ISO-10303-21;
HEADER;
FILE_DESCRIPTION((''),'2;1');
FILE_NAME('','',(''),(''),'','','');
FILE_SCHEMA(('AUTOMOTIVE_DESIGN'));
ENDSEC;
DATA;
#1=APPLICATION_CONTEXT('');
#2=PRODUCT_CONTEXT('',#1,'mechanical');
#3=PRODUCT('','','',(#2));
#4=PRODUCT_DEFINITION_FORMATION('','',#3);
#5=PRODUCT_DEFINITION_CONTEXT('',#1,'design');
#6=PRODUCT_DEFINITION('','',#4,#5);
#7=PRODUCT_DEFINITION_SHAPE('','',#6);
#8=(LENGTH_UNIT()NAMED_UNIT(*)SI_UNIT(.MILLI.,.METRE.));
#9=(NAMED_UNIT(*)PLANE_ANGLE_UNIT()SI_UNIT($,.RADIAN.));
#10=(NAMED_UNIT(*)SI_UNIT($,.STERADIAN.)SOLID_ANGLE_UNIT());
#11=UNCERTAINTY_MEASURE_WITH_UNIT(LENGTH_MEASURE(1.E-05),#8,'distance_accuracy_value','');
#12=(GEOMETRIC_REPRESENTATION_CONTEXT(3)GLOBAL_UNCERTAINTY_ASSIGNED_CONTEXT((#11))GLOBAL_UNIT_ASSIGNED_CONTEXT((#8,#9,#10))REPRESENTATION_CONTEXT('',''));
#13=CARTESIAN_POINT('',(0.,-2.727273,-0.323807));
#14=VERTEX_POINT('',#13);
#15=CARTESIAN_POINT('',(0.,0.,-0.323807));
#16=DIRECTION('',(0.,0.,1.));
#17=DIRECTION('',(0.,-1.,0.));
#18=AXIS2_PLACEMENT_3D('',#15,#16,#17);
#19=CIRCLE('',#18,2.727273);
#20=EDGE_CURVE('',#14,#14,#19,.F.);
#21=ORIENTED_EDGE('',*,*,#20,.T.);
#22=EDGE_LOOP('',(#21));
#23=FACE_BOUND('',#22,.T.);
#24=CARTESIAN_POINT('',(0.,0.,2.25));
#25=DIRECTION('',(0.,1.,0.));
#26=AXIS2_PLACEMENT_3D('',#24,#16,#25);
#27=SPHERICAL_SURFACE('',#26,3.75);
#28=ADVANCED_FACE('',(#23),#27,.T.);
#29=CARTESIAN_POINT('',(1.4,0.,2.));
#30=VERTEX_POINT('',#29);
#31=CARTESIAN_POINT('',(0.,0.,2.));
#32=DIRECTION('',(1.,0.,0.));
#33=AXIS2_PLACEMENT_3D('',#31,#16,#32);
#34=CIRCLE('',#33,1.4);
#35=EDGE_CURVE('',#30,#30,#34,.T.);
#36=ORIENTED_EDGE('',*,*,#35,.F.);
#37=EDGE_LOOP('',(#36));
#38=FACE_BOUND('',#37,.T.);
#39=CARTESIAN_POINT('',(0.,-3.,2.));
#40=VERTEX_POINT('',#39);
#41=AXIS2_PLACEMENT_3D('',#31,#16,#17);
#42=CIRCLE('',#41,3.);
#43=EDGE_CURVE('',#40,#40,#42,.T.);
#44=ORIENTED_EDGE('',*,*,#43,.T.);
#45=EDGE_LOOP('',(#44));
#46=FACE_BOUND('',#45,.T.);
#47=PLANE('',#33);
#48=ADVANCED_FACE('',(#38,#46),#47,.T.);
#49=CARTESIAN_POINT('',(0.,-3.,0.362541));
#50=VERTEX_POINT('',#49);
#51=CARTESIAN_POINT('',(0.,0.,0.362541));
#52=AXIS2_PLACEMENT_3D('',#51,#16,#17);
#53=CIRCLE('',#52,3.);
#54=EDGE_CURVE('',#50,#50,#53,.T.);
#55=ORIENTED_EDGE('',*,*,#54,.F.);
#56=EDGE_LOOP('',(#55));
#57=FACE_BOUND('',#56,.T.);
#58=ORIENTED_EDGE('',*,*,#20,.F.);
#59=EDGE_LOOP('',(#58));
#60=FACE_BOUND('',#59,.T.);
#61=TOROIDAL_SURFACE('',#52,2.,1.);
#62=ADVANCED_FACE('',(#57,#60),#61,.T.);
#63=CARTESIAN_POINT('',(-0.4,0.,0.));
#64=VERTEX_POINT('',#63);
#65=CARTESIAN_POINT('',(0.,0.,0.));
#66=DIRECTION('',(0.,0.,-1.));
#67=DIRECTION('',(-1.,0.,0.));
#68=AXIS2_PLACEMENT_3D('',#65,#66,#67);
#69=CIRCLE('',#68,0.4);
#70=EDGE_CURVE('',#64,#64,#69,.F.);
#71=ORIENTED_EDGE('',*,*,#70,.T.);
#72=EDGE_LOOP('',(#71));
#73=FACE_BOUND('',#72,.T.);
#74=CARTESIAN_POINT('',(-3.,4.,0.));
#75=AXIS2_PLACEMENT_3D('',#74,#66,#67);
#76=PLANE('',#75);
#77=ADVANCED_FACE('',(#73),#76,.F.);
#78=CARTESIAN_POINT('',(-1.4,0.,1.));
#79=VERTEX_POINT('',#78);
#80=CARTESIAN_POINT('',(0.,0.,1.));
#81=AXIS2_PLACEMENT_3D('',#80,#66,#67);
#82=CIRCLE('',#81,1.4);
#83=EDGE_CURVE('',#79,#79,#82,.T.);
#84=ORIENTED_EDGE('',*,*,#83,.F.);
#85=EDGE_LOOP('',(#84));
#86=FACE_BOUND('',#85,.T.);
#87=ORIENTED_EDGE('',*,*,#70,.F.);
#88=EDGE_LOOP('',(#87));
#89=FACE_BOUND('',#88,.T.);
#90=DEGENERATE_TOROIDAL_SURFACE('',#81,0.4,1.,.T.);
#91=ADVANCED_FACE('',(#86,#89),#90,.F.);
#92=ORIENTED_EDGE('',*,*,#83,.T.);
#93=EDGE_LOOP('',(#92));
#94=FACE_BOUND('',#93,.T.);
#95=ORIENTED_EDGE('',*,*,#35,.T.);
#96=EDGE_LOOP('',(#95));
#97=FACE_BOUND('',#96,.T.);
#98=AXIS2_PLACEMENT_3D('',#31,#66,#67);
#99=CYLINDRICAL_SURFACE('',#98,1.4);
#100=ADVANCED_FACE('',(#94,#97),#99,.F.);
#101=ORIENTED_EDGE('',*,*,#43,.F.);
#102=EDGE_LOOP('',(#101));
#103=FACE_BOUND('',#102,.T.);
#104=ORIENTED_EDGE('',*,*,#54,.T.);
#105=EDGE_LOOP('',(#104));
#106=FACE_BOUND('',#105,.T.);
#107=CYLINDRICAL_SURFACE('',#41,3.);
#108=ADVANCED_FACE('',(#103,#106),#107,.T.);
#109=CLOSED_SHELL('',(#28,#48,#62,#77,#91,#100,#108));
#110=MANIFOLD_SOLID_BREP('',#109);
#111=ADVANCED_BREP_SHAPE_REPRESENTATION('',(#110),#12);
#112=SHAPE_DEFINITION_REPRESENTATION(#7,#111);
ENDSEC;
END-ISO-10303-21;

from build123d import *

# Parameters (mm, degrees)
CROQUIS1_W              = 6
CROQUIS1_H              = 8
CROQUIS1_R              = 1.4
SALIENTE_EXTRUIR1_DEPTH = 2
SALIENTE_EXTRUIR2_DEPTH = 4
CROQUIS3_W              = 6
CROQUIS3_H              = 1
SALIENTE_EXTRUIR3_DEPTH = 4
REDONDEO1_R             = 1
REDONDEO2_R             = 1


with BuildPart() as part:
    # Croquis1 → Saliente-Extruir1 (new body)
    with BuildSketch(Plane.XY):
        Rectangle(CROQUIS1_W, CROQUIS1_H)
        Circle(CROQUIS1_R, mode=Mode.SUBTRACT)
    extrude(amount=SALIENTE_EXTRUIR1_DEPTH)

    # Croquis2 → Saliente-Extruir2 (add, symmetric)
    with BuildSketch(Plane(origin=(0, 0, 0), x_dir=(1, 0, 0), z_dir=(0, 1, 0))):
        with BuildLine():
            Line((-3, 0), (3, 0))
            ThreePointArc((3, 0), (0, 1.5), (-3, 0))
        make_face()
    extrude(amount=SALIENTE_EXTRUIR2_DEPTH, both=True)

    # Croquis3 → Saliente-Extruir3 (add)
    with BuildSketch(Plane.XY.offset(2)):
        with Locations((0, 3.5)):
            Rectangle(CROQUIS3_W, CROQUIS3_H)
        with Locations((0, -3.5)):
            Rectangle(CROQUIS3_W, CROQUIS3_H)
    extrude(amount=-SALIENTE_EXTRUIR3_DEPTH)

    # Redondeo1
    redondeo1_edges = [part.edges().sort_by_distance(p)[0] for p in [
        (-1.4, 0, 0),
    ]]
    fillet(redondeo1_edges, radius=REDONDEO1_R)

    # Croquis4 → Cortar-Revolución2 (revolve, cut)
    with BuildSketch(Plane(origin=(0, 0, 0), x_dir=(0, 0, -1), z_dir=(1, 0, 0))):
        with BuildLine():
            Line((0, 3), (-2, 3))
            Line((-2, 3), (-2, 10))
            Line((-2, 10), (3, 10))
            Line((3, 10), (3, 0))
            Line((3, 0), (1.5, 0))
            ThreePointArc((1.5, 0), (1.104101966, 1.677050983), (0, 3))
        make_face()
    revolve(axis=Axis((0, 0, 2), (0, 0, -1)), mode=Mode.SUBTRACT)

    # Redondeo2
    redondeo2_edges = [part.edges().sort_by_distance(p)[0] for p in [
        (0, -3, 0),
    ]]
    fillet(redondeo2_edges, radius=REDONDEO2_R)


solid = part.part
